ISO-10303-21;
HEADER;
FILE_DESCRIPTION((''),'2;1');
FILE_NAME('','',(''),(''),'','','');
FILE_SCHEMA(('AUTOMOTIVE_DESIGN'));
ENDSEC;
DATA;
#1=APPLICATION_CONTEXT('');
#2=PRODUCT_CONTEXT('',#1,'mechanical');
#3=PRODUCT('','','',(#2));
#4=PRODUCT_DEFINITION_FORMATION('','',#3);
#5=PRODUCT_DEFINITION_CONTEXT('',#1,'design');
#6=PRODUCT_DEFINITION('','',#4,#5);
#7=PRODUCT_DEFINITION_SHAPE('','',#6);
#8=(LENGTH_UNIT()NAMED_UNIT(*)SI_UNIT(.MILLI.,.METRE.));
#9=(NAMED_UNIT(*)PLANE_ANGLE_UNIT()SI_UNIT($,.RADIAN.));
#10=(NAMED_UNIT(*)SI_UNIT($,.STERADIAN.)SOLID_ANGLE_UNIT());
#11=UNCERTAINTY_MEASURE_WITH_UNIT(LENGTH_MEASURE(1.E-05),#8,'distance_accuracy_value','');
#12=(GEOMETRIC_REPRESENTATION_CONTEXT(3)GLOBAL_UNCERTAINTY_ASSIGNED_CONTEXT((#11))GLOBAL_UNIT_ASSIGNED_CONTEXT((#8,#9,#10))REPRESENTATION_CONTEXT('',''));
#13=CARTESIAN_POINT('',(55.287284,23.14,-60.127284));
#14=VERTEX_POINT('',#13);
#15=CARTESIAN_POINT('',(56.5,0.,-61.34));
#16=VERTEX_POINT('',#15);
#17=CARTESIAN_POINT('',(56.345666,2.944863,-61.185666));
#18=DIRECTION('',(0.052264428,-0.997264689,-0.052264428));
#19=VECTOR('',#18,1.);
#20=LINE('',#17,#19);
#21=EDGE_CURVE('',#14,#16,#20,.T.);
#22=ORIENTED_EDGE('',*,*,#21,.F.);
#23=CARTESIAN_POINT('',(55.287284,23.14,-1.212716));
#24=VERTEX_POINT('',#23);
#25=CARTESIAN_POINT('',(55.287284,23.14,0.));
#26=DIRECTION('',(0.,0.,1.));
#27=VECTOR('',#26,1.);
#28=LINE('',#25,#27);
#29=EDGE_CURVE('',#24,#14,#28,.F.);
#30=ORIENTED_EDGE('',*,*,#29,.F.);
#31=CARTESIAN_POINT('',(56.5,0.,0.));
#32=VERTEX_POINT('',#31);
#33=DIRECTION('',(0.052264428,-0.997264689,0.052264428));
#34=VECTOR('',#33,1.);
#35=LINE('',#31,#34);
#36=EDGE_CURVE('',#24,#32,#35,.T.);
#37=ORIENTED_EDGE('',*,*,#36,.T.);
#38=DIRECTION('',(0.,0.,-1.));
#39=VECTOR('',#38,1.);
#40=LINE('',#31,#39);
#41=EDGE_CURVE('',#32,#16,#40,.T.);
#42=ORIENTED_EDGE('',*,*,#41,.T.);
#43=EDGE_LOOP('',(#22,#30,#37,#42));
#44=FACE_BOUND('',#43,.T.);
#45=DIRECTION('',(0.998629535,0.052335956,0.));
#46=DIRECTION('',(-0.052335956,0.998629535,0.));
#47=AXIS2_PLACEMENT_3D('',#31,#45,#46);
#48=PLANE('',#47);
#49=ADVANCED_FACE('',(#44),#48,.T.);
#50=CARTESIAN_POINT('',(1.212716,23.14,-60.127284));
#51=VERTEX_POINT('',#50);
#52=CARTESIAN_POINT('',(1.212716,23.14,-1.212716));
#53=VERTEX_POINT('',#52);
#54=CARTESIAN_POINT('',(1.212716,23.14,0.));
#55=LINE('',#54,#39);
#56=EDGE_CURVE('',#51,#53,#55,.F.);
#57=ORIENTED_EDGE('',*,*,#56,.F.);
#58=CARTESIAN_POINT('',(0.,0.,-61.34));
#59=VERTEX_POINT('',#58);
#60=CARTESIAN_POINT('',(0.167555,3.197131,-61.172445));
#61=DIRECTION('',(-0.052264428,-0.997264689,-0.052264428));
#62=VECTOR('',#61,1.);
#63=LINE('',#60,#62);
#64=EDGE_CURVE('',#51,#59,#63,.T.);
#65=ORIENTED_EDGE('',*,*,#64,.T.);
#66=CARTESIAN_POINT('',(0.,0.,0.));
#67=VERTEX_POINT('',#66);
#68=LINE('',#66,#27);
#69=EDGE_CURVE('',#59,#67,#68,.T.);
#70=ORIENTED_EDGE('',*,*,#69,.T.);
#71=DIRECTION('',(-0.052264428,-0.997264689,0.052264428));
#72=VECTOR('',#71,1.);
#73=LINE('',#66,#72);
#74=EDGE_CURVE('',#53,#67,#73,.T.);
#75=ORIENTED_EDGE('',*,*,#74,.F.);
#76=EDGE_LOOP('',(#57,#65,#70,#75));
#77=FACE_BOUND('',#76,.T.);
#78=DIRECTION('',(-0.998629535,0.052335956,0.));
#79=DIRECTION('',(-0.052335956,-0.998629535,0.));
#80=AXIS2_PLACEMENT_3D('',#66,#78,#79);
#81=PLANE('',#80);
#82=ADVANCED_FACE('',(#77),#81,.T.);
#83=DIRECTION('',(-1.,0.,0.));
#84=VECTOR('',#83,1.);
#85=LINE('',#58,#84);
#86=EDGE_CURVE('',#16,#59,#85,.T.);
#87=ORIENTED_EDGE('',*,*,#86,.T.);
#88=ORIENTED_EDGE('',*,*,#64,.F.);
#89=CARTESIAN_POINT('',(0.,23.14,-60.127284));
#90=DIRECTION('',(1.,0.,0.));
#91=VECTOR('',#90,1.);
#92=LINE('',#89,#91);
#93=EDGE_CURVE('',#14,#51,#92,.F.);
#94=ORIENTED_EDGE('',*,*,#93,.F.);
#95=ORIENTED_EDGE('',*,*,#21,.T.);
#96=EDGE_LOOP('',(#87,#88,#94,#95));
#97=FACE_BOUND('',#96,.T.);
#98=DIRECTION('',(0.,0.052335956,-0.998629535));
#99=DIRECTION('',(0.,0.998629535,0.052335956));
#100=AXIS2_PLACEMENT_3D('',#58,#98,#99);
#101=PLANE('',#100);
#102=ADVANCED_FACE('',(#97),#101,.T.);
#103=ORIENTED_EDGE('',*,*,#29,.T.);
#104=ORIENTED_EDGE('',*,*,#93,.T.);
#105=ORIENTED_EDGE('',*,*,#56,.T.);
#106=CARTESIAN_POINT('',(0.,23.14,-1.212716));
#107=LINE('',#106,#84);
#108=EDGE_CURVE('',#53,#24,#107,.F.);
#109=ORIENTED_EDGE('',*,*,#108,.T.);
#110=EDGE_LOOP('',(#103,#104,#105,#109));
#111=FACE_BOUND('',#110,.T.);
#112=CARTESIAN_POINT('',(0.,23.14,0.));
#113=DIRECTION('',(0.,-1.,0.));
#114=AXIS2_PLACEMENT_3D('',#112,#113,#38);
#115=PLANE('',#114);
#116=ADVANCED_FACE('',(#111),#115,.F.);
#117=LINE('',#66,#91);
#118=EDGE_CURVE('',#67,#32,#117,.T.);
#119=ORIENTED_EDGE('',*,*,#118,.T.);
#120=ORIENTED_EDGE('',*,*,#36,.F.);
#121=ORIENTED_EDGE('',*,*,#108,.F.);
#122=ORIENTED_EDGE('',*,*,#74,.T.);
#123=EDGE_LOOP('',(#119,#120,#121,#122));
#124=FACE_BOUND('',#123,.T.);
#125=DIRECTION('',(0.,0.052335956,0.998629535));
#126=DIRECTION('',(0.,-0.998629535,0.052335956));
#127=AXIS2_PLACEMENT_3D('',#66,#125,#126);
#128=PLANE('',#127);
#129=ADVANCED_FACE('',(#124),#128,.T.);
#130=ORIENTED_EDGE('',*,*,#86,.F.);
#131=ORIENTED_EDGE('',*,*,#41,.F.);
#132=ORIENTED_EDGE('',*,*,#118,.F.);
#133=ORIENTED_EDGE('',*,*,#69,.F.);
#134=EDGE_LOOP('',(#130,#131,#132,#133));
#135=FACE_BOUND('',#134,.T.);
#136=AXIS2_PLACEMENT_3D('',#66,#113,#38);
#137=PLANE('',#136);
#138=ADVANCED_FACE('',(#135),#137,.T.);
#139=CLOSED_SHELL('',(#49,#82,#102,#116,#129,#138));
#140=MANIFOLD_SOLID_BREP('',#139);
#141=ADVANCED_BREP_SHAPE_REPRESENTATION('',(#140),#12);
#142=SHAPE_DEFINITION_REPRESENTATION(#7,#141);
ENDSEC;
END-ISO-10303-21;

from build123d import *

# Parameters (mm, degrees)
SKETCH1_W           = 56.5
SKETCH1_H           = 61.34
BOSS_EXTRUDE1_DEPTH = 23.14
DRAFT1_ANGLE        = -3


with BuildPart() as part:
    # Sketch1 → Boss-Extrude1 (new body)
    with BuildSketch(Plane(origin=(0, 0, 0), x_dir=(1, 0, 0), z_dir=(0, 1, 0))):
        with Locations((28.25, 30.67)):
            Rectangle(SKETCH1_W, SKETCH1_H)
    extrude(amount=BOSS_EXTRUDE1_DEPTH)

    # Draft1
    draft1_faces = [part.faces().sort_by_distance(p)[0] for p in [
        (28.25, 11.57, 0),
        (0, 11.57, -30.67),
        (28.25, 11.57, -61.34),
        (56.5, 11.57, -30.67),
    ]]
    draft(draft1_faces, Plane(origin=(0, 0, 0), x_dir=(0, 0, -1), z_dir=(0, -1, 0)), DRAFT1_ANGLE)


solid = part.part
